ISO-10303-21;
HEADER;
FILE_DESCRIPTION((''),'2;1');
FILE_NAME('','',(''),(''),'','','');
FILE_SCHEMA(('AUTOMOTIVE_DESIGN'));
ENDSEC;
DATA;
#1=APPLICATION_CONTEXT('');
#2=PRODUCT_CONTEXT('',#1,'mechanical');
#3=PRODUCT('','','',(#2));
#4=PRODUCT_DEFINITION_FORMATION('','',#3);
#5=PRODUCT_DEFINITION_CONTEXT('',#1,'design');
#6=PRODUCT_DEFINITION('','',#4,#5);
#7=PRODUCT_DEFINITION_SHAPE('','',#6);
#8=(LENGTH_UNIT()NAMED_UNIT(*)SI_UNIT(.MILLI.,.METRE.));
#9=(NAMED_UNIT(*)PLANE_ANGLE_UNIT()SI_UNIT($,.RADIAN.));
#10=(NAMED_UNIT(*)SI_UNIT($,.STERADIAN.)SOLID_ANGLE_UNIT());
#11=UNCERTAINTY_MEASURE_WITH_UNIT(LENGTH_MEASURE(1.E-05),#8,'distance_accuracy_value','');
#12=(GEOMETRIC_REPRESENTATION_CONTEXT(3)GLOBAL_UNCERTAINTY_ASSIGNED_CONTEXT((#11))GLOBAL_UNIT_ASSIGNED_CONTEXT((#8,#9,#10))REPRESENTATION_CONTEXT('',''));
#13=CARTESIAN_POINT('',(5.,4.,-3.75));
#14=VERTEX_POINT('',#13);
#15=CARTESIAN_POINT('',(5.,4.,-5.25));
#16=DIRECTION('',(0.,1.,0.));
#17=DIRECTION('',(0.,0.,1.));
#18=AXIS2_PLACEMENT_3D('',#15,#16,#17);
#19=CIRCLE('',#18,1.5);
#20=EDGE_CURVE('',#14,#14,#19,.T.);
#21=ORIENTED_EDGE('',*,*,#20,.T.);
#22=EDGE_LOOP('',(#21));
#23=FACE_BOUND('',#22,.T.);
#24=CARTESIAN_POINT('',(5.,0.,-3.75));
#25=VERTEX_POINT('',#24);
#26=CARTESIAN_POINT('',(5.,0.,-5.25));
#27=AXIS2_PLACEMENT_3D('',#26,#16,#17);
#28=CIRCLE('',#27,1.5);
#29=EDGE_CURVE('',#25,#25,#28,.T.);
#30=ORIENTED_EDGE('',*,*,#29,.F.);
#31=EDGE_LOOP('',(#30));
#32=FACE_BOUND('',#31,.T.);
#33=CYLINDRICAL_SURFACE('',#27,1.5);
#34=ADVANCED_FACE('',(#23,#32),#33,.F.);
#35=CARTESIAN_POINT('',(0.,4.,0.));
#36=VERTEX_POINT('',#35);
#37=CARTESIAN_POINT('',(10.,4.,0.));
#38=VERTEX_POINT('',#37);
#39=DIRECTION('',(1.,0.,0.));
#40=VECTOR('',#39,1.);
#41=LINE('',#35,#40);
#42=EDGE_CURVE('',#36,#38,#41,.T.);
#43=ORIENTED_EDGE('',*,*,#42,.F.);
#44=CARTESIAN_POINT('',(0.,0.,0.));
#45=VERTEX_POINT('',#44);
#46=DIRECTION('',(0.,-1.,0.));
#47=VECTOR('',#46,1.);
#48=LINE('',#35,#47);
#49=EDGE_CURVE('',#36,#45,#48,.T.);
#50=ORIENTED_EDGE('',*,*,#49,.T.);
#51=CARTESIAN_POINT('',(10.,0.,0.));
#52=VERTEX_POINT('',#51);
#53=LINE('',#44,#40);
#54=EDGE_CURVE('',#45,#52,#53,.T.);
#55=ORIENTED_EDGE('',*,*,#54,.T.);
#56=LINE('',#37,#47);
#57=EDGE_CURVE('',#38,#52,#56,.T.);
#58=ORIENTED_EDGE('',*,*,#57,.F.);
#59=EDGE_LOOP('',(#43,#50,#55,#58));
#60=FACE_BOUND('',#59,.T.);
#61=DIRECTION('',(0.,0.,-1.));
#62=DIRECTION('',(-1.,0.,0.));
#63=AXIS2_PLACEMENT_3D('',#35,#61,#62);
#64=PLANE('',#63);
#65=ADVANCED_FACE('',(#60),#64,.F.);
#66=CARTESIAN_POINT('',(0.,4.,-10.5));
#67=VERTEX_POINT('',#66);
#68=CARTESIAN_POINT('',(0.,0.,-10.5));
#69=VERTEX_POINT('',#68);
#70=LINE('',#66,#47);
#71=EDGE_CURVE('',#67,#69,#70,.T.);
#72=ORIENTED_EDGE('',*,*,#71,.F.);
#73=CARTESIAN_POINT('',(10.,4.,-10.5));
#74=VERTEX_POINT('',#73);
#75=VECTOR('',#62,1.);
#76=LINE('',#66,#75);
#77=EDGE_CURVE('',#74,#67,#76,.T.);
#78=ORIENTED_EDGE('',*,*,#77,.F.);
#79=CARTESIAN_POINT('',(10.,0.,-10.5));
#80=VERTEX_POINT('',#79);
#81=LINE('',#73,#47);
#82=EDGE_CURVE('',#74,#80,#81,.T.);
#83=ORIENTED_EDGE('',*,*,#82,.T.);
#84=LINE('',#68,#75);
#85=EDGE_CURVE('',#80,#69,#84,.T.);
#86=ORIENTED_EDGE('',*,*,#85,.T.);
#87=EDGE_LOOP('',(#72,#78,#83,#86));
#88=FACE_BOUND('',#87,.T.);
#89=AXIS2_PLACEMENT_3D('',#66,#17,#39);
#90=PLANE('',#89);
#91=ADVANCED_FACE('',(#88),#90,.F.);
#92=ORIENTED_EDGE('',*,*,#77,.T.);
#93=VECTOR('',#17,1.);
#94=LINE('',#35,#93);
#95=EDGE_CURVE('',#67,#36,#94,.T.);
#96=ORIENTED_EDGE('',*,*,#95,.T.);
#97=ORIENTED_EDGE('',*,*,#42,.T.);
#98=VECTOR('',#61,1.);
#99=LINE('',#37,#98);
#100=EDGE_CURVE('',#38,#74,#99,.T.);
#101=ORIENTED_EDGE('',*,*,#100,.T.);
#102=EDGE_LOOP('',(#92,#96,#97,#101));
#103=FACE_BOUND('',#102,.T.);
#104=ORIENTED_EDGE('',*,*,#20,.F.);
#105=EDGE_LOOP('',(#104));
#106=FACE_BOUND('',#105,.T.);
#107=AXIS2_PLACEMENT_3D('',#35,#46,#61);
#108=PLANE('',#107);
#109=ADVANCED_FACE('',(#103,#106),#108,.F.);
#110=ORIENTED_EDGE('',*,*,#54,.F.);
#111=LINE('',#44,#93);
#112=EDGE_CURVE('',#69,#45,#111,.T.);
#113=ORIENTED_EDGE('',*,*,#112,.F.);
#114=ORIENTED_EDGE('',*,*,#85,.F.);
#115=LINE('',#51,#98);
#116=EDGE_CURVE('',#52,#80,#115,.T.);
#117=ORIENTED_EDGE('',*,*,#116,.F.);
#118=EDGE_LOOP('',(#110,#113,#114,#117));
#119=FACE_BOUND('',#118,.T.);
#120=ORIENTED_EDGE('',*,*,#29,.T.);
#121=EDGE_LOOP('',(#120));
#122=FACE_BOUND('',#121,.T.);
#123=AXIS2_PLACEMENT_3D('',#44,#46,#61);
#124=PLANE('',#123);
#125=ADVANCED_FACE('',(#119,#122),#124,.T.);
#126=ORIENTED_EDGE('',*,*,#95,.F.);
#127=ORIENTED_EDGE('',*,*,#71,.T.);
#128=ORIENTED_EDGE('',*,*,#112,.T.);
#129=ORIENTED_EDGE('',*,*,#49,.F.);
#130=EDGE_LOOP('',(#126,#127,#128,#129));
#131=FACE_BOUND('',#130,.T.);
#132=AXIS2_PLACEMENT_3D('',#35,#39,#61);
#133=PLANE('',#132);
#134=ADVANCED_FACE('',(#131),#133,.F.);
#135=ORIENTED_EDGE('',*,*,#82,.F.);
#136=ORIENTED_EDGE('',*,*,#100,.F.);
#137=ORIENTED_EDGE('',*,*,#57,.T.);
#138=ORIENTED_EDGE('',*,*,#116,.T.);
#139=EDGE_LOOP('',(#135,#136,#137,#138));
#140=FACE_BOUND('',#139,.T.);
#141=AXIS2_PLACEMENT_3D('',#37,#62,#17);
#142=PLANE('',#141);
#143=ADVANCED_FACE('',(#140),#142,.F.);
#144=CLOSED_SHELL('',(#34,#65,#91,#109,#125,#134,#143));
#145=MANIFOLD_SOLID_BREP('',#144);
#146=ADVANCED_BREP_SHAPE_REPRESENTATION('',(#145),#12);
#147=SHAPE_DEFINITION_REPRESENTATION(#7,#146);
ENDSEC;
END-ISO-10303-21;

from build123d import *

# Parameters (mm, degrees)
SKETCH1_W           = 10
SKETCH1_H           = 10.5
BOSS_EXTRUDE1_DEPTH = 4
SKETCH2_R           = 1.5
CUT_EXTRUDE1_DEPTH  = 4


with BuildPart() as part:
    # Sketch1 → Boss-Extrude1 (new body)
    with BuildSketch(Plane(origin=(0, 0, 0), x_dir=(1, 0, 0), z_dir=(0, 1, 0))):
        with Locations((5, 5.25)):
            Rectangle(SKETCH1_W, SKETCH1_H)
    extrude(amount=BOSS_EXTRUDE1_DEPTH)

    # Sketch2 → Cut-Extrude1 (cut)
    with BuildSketch(Plane(origin=(0, 4, 0), x_dir=(1, 0, 0), z_dir=(0, 1, 0))):
        with Locations((5, 5.25)):
            Circle(SKETCH2_R)
    extrude(amount=-CUT_EXTRUDE1_DEPTH, mode=Mode.SUBTRACT)


solid = part.part
